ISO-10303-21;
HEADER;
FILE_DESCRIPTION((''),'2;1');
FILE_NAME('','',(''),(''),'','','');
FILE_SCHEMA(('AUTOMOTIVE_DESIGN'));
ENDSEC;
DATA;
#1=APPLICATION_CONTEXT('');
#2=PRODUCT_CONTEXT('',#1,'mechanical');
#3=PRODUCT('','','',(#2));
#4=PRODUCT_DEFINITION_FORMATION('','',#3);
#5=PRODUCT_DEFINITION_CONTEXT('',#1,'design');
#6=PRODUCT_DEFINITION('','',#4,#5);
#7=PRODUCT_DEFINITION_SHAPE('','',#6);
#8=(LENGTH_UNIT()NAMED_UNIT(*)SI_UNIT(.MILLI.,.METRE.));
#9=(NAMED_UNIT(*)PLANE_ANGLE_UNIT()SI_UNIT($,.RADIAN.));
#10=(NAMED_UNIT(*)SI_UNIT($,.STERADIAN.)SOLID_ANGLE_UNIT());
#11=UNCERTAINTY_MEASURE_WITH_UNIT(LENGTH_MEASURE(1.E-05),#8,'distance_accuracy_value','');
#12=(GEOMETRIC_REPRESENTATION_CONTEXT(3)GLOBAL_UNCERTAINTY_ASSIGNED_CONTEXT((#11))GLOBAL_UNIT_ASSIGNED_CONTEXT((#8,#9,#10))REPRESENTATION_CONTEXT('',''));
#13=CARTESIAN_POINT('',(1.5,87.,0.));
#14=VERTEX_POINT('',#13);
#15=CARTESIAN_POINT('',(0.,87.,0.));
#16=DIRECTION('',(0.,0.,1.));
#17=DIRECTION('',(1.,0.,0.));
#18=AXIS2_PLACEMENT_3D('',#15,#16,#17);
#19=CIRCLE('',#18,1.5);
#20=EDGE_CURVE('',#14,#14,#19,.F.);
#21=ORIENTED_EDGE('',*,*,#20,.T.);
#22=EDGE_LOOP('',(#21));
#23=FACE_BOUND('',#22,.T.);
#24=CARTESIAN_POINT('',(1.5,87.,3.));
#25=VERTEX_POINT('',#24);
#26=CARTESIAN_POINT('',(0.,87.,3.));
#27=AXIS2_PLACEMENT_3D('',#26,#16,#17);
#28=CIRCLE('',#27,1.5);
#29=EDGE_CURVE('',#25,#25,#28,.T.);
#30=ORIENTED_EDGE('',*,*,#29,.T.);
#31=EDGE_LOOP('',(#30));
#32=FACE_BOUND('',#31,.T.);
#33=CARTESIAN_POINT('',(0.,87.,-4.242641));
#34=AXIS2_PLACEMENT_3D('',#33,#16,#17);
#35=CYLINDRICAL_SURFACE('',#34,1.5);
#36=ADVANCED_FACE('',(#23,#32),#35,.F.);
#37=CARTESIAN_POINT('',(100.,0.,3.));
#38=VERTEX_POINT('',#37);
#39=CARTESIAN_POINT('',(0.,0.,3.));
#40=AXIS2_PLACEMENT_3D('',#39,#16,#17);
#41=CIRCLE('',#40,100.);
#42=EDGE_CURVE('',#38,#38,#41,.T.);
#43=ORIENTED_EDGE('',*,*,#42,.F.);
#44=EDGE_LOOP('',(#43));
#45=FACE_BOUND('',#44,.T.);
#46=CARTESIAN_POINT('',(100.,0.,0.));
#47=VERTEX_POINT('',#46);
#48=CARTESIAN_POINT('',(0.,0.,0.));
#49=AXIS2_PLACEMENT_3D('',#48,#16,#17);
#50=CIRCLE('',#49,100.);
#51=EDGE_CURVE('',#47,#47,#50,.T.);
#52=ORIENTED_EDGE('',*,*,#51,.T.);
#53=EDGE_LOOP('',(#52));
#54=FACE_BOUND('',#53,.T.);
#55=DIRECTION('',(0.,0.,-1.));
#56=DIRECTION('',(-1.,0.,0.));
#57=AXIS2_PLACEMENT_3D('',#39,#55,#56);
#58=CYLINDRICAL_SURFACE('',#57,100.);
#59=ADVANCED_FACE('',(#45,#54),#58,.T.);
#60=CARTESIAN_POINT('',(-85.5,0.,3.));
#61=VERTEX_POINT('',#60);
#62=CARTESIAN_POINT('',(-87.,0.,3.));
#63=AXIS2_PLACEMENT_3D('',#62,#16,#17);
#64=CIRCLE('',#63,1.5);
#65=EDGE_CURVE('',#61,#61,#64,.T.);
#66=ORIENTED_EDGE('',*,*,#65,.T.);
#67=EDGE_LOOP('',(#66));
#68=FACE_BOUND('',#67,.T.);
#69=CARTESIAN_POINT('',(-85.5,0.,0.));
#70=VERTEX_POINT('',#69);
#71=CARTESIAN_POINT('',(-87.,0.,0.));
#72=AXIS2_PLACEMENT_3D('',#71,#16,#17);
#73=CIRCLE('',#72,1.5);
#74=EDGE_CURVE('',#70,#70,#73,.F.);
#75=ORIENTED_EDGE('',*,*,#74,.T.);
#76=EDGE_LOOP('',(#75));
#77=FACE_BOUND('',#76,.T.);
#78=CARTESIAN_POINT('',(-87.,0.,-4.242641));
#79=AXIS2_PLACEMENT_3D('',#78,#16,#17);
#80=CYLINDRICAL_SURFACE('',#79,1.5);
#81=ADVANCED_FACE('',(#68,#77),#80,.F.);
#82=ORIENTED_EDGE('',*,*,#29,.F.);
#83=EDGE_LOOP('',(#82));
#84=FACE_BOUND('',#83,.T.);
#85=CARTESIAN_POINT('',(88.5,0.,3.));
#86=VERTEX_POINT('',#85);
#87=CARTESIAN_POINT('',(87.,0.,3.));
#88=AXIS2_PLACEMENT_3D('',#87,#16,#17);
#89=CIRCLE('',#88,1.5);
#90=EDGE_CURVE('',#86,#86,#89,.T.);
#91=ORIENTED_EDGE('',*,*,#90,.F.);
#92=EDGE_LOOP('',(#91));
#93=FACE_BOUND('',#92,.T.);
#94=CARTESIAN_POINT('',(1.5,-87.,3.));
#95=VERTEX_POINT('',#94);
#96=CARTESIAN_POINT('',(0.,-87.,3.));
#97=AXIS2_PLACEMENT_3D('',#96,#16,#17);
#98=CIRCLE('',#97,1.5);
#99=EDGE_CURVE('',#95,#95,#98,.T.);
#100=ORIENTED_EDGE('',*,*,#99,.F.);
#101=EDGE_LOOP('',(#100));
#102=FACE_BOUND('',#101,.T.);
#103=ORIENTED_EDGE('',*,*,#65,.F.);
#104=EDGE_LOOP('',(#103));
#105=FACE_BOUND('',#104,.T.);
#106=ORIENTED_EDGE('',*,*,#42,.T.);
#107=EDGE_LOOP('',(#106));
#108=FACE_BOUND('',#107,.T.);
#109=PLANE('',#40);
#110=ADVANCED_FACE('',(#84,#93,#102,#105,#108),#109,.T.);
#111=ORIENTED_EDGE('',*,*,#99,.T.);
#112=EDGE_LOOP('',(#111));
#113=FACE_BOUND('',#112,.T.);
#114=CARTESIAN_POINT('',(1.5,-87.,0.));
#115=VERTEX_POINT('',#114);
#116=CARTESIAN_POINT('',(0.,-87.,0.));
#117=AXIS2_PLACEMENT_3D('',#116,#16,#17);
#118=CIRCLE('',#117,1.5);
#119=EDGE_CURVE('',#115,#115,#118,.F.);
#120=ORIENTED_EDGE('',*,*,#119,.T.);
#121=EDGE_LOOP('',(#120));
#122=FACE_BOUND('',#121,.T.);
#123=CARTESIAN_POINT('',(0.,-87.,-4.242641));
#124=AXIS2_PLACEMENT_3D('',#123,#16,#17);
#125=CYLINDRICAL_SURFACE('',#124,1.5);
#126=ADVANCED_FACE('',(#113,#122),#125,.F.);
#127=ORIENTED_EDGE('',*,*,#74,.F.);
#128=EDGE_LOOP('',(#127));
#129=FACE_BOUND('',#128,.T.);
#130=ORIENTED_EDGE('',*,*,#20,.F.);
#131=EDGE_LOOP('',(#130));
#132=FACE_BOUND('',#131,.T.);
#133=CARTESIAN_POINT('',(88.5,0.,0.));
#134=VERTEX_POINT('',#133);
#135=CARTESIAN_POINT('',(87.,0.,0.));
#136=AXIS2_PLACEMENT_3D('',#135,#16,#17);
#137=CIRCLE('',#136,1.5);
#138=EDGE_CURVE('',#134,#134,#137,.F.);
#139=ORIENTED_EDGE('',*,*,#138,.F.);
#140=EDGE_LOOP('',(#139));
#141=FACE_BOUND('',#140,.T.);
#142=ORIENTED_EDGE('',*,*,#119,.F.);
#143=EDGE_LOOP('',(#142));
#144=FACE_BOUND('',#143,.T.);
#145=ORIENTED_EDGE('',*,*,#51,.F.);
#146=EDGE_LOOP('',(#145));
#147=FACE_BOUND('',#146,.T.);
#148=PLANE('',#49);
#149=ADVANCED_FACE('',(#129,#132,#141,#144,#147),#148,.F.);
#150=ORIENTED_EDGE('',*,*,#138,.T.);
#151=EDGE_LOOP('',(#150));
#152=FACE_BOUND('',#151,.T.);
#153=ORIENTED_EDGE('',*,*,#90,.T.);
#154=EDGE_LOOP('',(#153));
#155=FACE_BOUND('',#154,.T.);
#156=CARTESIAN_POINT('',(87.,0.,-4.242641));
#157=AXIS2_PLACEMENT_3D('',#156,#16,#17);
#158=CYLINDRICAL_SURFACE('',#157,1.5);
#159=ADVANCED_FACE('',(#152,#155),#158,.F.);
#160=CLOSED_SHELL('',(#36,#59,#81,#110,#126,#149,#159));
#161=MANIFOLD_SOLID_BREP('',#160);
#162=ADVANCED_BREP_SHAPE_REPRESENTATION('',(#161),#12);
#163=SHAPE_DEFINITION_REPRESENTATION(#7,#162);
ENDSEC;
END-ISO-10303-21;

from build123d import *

# Parameters (mm, degrees)
CROQUIS1_R              = 100
SALIENTE_EXTRUIR1_DEPTH = 3
CROQUIS5_R              = 1.5
CORTAR_EXTRUIR4_DEPTH   = 3


with BuildPart() as part:
    # Croquis1 → Saliente-Extruir1 (new body)
    with BuildSketch(Plane.XY):
        Circle(CROQUIS1_R)
    extrude(amount=SALIENTE_EXTRUIR1_DEPTH)

    # Croquis5 → Cortar-Extruir4 (cut)
    with BuildSketch(Plane.XY.offset(3)):
        with Locations((0, 87)):
            Circle(CROQUIS5_R)
        with Locations((87, 0)):
            Circle(CROQUIS5_R)
        with Locations((0, -87)):
            Circle(CROQUIS5_R)
        with Locations((-87, 0)):
            Circle(CROQUIS5_R)
    extrude(amount=-CORTAR_EXTRUIR4_DEPTH, mode=Mode.SUBTRACT)


solid = part.part
